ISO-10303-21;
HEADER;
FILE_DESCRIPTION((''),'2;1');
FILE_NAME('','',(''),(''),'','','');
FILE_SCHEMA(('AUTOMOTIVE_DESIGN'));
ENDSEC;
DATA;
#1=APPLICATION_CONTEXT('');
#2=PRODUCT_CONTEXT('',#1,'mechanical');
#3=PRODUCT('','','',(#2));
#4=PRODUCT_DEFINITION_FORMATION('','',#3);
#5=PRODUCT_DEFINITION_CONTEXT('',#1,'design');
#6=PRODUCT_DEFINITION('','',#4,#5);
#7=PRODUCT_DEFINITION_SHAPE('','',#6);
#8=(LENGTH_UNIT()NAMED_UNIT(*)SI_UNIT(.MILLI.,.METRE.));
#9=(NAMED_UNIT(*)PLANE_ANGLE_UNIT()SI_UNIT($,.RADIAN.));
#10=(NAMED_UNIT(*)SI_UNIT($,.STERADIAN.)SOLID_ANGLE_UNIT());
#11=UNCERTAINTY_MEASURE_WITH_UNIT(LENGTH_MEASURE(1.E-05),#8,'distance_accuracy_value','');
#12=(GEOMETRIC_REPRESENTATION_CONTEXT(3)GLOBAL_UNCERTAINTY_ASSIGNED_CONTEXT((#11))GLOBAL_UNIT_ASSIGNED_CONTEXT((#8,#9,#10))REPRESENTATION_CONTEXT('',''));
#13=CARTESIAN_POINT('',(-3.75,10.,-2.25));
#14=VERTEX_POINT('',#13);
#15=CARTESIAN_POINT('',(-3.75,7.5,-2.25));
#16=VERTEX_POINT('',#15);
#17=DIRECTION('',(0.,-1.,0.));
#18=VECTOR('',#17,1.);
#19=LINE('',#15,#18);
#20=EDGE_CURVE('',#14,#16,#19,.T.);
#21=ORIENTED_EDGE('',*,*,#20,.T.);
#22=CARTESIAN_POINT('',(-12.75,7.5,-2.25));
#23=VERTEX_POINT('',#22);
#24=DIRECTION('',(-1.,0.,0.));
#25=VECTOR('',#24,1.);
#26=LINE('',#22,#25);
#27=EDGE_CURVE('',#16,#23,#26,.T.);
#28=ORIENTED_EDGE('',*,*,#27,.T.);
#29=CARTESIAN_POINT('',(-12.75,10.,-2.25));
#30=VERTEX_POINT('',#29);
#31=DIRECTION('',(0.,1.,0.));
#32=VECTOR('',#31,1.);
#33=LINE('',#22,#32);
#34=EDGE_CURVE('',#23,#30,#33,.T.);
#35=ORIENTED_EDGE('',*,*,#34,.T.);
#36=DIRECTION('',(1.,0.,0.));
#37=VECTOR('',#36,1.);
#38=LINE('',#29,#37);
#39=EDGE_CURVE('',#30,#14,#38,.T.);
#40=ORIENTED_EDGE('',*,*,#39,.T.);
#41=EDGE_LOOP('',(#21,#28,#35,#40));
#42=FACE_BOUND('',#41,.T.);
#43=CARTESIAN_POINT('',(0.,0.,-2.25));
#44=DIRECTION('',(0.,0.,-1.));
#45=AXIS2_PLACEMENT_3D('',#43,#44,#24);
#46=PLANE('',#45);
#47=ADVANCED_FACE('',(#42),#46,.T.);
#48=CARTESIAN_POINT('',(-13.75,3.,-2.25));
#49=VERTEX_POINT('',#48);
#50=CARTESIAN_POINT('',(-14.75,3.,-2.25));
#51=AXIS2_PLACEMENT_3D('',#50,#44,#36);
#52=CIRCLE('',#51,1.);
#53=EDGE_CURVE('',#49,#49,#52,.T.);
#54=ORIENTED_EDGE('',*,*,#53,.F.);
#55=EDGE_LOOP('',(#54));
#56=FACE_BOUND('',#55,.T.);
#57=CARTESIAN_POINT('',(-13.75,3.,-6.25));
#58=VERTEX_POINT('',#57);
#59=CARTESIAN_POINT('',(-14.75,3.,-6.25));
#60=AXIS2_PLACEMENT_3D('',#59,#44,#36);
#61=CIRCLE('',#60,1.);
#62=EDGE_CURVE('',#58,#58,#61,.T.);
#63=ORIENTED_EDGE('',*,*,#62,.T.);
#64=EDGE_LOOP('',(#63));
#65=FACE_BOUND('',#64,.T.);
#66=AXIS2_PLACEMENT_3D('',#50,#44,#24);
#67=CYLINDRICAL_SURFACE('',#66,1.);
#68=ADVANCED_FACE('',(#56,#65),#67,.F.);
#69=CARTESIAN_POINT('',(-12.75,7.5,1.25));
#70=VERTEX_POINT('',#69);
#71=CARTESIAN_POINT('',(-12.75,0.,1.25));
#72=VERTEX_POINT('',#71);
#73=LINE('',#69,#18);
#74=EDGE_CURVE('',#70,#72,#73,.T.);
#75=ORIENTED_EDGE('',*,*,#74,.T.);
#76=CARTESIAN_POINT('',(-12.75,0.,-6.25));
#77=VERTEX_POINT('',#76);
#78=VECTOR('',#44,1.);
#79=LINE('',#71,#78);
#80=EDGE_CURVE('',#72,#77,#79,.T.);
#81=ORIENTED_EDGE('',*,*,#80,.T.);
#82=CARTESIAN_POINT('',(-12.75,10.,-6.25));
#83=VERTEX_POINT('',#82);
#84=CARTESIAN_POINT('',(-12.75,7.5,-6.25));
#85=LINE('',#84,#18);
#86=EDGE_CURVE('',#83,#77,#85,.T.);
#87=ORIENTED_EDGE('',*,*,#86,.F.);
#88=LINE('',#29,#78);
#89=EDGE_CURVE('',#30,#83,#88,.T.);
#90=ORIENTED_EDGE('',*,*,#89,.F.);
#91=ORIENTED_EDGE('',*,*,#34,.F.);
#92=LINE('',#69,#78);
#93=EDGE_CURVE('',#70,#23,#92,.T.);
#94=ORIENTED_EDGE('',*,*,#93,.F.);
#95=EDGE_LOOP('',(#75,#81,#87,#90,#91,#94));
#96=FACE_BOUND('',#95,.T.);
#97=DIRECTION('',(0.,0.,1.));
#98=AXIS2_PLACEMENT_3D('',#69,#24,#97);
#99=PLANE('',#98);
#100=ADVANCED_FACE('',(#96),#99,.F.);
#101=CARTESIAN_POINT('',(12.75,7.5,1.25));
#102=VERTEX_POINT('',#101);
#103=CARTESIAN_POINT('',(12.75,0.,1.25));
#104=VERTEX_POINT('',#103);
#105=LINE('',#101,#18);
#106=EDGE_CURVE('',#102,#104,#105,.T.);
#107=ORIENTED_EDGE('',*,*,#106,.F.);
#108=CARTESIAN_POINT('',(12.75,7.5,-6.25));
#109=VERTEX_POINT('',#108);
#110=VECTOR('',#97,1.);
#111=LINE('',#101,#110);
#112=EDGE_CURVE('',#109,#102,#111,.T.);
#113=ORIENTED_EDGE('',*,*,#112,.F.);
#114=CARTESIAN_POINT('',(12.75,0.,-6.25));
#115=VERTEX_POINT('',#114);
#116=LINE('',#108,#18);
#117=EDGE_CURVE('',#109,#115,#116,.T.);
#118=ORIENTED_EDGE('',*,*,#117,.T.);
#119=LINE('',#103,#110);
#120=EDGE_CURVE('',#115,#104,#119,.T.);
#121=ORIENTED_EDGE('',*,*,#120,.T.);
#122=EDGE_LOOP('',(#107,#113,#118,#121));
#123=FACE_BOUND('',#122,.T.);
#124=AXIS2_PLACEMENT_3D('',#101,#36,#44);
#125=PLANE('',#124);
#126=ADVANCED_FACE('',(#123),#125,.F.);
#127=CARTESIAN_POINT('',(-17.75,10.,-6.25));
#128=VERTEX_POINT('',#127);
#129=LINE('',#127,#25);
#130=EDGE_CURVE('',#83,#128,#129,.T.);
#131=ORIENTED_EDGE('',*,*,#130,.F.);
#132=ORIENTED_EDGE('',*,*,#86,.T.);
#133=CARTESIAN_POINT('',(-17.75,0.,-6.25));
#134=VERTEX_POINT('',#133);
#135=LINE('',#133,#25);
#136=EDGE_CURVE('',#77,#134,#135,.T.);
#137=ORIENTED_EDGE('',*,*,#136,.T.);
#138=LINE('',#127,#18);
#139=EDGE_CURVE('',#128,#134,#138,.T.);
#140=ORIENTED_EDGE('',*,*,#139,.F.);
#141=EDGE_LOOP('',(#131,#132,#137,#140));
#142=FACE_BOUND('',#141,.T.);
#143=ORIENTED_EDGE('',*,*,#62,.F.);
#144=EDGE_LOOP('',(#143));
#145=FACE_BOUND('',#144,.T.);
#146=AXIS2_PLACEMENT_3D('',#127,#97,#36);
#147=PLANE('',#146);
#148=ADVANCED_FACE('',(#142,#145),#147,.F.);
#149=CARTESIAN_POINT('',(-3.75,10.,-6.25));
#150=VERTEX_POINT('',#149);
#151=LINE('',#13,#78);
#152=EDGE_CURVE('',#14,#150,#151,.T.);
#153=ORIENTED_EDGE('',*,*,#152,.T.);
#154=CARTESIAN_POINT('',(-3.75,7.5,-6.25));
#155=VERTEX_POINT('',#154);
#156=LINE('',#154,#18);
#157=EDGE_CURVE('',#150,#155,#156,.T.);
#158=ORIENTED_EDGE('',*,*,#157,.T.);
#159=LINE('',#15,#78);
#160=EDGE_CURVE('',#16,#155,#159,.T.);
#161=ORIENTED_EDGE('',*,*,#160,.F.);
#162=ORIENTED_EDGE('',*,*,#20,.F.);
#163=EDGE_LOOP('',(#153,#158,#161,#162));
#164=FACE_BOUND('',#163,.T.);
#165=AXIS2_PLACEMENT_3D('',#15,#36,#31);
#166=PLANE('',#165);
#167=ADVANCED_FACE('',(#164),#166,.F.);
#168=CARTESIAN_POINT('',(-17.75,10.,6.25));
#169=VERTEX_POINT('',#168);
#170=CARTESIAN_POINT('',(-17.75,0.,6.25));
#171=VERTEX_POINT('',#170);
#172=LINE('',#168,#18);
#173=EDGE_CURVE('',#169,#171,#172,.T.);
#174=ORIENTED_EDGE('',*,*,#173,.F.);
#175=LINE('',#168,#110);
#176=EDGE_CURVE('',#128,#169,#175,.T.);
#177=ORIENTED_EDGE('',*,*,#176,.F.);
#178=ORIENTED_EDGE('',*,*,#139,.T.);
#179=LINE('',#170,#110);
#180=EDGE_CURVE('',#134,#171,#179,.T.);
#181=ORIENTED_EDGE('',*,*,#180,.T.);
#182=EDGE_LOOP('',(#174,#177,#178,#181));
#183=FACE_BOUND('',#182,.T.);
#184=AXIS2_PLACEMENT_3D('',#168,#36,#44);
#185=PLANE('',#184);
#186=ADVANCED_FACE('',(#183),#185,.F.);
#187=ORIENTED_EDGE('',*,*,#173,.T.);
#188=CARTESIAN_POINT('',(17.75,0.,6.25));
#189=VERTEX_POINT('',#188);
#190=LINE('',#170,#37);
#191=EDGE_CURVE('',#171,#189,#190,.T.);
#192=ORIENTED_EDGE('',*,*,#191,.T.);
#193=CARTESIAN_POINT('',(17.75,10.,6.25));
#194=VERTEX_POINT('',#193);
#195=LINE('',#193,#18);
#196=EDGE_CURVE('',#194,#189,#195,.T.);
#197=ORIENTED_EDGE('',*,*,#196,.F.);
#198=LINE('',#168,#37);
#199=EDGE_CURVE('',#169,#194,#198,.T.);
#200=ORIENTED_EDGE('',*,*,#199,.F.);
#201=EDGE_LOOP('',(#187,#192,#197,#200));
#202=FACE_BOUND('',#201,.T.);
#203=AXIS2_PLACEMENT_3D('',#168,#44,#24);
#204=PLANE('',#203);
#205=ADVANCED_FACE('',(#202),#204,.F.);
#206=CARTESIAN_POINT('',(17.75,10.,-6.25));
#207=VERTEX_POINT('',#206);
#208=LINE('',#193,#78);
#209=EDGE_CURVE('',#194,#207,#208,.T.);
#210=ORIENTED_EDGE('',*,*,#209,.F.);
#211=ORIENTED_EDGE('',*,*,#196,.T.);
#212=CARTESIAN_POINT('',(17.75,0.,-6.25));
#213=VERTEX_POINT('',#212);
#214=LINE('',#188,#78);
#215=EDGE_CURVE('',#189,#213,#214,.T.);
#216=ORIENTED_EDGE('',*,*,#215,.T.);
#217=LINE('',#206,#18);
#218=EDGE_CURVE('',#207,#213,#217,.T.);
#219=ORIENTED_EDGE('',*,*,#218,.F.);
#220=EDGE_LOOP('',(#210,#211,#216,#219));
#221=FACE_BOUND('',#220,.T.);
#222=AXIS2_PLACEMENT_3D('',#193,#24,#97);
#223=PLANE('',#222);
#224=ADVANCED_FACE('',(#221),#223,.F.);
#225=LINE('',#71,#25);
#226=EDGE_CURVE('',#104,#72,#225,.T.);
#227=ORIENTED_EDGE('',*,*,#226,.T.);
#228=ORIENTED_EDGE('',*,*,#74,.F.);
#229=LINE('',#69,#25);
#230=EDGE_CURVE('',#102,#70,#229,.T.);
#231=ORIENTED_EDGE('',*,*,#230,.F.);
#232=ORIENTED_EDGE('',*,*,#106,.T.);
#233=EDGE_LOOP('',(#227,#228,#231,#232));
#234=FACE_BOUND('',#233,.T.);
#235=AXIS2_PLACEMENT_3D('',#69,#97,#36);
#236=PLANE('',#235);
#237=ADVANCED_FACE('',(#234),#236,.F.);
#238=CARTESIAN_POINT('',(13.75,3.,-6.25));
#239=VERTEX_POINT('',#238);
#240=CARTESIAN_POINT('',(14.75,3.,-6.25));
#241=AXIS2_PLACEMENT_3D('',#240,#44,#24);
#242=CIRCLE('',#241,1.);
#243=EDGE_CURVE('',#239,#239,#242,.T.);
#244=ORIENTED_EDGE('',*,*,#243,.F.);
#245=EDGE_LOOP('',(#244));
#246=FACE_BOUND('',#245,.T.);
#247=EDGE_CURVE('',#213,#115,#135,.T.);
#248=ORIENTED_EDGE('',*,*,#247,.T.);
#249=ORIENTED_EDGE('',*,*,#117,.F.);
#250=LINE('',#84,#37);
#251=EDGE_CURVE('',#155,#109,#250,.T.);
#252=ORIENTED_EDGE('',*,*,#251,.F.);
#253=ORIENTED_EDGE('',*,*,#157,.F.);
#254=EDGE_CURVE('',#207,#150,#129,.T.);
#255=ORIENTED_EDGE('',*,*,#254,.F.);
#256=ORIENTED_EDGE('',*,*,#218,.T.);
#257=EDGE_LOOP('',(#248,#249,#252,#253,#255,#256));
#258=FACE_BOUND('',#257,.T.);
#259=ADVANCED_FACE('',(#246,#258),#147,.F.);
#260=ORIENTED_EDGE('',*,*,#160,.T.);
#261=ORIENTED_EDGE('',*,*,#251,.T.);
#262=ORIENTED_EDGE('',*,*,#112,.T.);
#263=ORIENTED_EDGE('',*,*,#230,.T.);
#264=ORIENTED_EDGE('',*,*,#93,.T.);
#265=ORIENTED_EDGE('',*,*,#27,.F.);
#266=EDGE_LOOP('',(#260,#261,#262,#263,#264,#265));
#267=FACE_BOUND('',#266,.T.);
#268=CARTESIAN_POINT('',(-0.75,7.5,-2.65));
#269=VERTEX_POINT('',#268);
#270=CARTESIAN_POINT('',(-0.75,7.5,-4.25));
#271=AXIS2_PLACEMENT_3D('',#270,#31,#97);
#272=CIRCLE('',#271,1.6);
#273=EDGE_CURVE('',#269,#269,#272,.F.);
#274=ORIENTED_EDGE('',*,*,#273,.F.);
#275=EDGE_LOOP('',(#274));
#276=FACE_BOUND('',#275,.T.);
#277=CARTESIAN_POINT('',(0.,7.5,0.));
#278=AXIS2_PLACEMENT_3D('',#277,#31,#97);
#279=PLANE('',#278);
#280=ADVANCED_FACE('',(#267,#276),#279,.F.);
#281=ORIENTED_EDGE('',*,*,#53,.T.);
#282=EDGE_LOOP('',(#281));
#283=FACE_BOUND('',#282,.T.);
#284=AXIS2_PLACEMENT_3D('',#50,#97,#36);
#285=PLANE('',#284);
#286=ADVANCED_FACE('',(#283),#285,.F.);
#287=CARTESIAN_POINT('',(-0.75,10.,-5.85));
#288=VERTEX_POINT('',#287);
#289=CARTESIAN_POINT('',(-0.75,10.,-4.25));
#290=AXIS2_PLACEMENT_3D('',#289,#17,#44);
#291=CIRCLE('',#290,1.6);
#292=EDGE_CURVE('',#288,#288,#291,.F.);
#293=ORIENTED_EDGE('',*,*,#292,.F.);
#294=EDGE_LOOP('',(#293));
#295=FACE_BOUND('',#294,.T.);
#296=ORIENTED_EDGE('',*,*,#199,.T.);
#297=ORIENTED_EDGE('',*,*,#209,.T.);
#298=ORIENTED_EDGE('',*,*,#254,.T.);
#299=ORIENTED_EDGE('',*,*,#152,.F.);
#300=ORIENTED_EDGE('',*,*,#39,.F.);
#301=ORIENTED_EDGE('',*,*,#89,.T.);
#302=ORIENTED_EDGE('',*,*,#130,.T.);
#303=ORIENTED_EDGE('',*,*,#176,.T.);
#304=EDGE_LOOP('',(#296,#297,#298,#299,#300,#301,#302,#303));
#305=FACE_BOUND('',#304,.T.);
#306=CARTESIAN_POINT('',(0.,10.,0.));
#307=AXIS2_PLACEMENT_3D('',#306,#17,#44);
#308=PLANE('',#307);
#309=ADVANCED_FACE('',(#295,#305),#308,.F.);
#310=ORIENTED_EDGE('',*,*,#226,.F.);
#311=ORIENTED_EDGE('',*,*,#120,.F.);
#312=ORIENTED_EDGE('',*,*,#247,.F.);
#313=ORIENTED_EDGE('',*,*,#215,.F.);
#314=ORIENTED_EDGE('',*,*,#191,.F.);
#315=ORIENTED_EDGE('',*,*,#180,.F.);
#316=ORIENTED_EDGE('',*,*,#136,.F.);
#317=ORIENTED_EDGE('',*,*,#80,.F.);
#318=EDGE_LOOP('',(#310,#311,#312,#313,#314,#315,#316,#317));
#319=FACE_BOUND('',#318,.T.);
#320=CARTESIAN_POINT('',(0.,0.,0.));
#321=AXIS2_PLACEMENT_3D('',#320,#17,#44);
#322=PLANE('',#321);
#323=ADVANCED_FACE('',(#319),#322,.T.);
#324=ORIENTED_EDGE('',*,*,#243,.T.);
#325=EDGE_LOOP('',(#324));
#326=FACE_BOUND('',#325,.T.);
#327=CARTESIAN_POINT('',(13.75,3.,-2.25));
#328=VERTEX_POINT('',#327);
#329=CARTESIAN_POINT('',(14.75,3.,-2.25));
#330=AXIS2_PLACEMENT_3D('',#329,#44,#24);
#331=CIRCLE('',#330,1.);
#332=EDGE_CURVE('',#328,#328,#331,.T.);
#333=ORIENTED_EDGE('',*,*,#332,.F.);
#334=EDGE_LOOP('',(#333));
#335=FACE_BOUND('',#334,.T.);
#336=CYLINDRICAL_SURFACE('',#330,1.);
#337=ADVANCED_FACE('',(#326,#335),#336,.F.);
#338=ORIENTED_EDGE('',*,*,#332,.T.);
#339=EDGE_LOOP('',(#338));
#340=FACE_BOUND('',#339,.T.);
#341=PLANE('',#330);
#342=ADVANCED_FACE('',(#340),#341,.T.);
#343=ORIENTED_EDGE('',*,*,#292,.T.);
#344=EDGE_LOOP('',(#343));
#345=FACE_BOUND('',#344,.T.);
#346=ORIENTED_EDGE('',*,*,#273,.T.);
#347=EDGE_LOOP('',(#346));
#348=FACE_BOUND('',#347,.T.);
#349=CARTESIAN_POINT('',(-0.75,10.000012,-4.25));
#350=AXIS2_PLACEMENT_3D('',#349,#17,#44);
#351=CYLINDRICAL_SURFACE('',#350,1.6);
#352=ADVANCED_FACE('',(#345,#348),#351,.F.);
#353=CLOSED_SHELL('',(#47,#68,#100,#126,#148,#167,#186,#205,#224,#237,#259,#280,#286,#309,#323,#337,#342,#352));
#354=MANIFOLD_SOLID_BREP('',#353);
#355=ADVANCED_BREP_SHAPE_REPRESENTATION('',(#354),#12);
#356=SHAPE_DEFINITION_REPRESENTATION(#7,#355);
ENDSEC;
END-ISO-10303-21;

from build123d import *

# Parameters (mm, degrees)
SKETCH1_W                      = 35.5
SKETCH1_H                      = 12.5
BOSS_EXTRUDE1_DEPTH            = 10
SKETCH2_W                      = 25.5
SKETCH2_H                      = 7.5
CUT_EXTRUDE1_DEPTH             = 7.5
SKETCH4_R                      = 1
CUT_EXTRUDE2_DEPTH             = 4
SKETCH6_W                      = 9
SKETCH6_H                      = 2.5
CUT_EXTRUDE3_DEPTH             = 4
CUT_EXTRUDE4_REACH             = 12
SKETCH7_R                      = 1.6
CUT_EXTRUDE4_DIRECTION_2_DEPTH = 1


with BuildPart() as part:
    # Sketch1 → Boss-Extrude1 (new body)
    with BuildSketch(Plane(origin=(0, 0, 0), x_dir=(1, 0, 0), z_dir=(0, 1, 0))):
        Rectangle(SKETCH1_W, SKETCH1_H)
    extrude(amount=BOSS_EXTRUDE1_DEPTH)

    # Sketch2 → Cut-Extrude1 (cut)
    with BuildSketch(Plane.XZ):
        with Locations((0, -2.5)):
            Rectangle(SKETCH2_W, SKETCH2_H)
    extrude(amount=-CUT_EXTRUDE1_DEPTH, mode=Mode.SUBTRACT)

    # Sketch4 → Cut-Extrude2 (cut)
    with BuildSketch(Plane(origin=(0, 0, -6.25), x_dir=(-1, 0, 0), z_dir=(0, 0, -1))):
        with Locations((-14.75, 3)):
            Circle(SKETCH4_R)
        with Locations((14.75, 3)):
            Circle(SKETCH4_R)
    extrude(amount=-CUT_EXTRUDE2_DEPTH, mode=Mode.SUBTRACT)

    # Sketch6 → Cut-Extrude3 (cut)
    with BuildSketch(Plane(origin=(0, 0, -6.25), x_dir=(-1, 0, 0), z_dir=(0, 0, -1))):
        with Locations((8.25, 8.75)):
            Rectangle(SKETCH6_W, SKETCH6_H)
    extrude(amount=-CUT_EXTRUDE3_DEPTH, mode=Mode.SUBTRACT)

    # Sketch7 → Cut-Extrude4 (cut, up to next)
    with BuildSketch(Plane(origin=(0, 10, 0), x_dir=(1, 0, 0), z_dir=(0, 1, 0)), mode=Mode.PRIVATE) as cut_extrude4_sk1:
        with Locations((-0.75, 4.25)):
            Circle(SKETCH7_R)
    cut_extrude4_tool1 = extrude(cut_extrude4_sk1.sketch, amount=-CUT_EXTRUDE4_REACH, mode=Mode.PRIVATE) & part.part
    add(cut_extrude4_tool1.solids().sort_by_distance((-0.75, 10, -4.25))[0], mode=Mode.SUBTRACT)

    # Sketch7 → Cut-Extrude4 direction 2 (cut)
    with BuildSketch(Plane(origin=(0, 10, 0), x_dir=(1, 0, 0), z_dir=(0, 1, 0))):
        with Locations((-0.75, 4.25)):
            Circle(SKETCH7_R)
    extrude(amount=CUT_EXTRUDE4_DIRECTION_2_DEPTH, mode=Mode.SUBTRACT)


solid = part.part
